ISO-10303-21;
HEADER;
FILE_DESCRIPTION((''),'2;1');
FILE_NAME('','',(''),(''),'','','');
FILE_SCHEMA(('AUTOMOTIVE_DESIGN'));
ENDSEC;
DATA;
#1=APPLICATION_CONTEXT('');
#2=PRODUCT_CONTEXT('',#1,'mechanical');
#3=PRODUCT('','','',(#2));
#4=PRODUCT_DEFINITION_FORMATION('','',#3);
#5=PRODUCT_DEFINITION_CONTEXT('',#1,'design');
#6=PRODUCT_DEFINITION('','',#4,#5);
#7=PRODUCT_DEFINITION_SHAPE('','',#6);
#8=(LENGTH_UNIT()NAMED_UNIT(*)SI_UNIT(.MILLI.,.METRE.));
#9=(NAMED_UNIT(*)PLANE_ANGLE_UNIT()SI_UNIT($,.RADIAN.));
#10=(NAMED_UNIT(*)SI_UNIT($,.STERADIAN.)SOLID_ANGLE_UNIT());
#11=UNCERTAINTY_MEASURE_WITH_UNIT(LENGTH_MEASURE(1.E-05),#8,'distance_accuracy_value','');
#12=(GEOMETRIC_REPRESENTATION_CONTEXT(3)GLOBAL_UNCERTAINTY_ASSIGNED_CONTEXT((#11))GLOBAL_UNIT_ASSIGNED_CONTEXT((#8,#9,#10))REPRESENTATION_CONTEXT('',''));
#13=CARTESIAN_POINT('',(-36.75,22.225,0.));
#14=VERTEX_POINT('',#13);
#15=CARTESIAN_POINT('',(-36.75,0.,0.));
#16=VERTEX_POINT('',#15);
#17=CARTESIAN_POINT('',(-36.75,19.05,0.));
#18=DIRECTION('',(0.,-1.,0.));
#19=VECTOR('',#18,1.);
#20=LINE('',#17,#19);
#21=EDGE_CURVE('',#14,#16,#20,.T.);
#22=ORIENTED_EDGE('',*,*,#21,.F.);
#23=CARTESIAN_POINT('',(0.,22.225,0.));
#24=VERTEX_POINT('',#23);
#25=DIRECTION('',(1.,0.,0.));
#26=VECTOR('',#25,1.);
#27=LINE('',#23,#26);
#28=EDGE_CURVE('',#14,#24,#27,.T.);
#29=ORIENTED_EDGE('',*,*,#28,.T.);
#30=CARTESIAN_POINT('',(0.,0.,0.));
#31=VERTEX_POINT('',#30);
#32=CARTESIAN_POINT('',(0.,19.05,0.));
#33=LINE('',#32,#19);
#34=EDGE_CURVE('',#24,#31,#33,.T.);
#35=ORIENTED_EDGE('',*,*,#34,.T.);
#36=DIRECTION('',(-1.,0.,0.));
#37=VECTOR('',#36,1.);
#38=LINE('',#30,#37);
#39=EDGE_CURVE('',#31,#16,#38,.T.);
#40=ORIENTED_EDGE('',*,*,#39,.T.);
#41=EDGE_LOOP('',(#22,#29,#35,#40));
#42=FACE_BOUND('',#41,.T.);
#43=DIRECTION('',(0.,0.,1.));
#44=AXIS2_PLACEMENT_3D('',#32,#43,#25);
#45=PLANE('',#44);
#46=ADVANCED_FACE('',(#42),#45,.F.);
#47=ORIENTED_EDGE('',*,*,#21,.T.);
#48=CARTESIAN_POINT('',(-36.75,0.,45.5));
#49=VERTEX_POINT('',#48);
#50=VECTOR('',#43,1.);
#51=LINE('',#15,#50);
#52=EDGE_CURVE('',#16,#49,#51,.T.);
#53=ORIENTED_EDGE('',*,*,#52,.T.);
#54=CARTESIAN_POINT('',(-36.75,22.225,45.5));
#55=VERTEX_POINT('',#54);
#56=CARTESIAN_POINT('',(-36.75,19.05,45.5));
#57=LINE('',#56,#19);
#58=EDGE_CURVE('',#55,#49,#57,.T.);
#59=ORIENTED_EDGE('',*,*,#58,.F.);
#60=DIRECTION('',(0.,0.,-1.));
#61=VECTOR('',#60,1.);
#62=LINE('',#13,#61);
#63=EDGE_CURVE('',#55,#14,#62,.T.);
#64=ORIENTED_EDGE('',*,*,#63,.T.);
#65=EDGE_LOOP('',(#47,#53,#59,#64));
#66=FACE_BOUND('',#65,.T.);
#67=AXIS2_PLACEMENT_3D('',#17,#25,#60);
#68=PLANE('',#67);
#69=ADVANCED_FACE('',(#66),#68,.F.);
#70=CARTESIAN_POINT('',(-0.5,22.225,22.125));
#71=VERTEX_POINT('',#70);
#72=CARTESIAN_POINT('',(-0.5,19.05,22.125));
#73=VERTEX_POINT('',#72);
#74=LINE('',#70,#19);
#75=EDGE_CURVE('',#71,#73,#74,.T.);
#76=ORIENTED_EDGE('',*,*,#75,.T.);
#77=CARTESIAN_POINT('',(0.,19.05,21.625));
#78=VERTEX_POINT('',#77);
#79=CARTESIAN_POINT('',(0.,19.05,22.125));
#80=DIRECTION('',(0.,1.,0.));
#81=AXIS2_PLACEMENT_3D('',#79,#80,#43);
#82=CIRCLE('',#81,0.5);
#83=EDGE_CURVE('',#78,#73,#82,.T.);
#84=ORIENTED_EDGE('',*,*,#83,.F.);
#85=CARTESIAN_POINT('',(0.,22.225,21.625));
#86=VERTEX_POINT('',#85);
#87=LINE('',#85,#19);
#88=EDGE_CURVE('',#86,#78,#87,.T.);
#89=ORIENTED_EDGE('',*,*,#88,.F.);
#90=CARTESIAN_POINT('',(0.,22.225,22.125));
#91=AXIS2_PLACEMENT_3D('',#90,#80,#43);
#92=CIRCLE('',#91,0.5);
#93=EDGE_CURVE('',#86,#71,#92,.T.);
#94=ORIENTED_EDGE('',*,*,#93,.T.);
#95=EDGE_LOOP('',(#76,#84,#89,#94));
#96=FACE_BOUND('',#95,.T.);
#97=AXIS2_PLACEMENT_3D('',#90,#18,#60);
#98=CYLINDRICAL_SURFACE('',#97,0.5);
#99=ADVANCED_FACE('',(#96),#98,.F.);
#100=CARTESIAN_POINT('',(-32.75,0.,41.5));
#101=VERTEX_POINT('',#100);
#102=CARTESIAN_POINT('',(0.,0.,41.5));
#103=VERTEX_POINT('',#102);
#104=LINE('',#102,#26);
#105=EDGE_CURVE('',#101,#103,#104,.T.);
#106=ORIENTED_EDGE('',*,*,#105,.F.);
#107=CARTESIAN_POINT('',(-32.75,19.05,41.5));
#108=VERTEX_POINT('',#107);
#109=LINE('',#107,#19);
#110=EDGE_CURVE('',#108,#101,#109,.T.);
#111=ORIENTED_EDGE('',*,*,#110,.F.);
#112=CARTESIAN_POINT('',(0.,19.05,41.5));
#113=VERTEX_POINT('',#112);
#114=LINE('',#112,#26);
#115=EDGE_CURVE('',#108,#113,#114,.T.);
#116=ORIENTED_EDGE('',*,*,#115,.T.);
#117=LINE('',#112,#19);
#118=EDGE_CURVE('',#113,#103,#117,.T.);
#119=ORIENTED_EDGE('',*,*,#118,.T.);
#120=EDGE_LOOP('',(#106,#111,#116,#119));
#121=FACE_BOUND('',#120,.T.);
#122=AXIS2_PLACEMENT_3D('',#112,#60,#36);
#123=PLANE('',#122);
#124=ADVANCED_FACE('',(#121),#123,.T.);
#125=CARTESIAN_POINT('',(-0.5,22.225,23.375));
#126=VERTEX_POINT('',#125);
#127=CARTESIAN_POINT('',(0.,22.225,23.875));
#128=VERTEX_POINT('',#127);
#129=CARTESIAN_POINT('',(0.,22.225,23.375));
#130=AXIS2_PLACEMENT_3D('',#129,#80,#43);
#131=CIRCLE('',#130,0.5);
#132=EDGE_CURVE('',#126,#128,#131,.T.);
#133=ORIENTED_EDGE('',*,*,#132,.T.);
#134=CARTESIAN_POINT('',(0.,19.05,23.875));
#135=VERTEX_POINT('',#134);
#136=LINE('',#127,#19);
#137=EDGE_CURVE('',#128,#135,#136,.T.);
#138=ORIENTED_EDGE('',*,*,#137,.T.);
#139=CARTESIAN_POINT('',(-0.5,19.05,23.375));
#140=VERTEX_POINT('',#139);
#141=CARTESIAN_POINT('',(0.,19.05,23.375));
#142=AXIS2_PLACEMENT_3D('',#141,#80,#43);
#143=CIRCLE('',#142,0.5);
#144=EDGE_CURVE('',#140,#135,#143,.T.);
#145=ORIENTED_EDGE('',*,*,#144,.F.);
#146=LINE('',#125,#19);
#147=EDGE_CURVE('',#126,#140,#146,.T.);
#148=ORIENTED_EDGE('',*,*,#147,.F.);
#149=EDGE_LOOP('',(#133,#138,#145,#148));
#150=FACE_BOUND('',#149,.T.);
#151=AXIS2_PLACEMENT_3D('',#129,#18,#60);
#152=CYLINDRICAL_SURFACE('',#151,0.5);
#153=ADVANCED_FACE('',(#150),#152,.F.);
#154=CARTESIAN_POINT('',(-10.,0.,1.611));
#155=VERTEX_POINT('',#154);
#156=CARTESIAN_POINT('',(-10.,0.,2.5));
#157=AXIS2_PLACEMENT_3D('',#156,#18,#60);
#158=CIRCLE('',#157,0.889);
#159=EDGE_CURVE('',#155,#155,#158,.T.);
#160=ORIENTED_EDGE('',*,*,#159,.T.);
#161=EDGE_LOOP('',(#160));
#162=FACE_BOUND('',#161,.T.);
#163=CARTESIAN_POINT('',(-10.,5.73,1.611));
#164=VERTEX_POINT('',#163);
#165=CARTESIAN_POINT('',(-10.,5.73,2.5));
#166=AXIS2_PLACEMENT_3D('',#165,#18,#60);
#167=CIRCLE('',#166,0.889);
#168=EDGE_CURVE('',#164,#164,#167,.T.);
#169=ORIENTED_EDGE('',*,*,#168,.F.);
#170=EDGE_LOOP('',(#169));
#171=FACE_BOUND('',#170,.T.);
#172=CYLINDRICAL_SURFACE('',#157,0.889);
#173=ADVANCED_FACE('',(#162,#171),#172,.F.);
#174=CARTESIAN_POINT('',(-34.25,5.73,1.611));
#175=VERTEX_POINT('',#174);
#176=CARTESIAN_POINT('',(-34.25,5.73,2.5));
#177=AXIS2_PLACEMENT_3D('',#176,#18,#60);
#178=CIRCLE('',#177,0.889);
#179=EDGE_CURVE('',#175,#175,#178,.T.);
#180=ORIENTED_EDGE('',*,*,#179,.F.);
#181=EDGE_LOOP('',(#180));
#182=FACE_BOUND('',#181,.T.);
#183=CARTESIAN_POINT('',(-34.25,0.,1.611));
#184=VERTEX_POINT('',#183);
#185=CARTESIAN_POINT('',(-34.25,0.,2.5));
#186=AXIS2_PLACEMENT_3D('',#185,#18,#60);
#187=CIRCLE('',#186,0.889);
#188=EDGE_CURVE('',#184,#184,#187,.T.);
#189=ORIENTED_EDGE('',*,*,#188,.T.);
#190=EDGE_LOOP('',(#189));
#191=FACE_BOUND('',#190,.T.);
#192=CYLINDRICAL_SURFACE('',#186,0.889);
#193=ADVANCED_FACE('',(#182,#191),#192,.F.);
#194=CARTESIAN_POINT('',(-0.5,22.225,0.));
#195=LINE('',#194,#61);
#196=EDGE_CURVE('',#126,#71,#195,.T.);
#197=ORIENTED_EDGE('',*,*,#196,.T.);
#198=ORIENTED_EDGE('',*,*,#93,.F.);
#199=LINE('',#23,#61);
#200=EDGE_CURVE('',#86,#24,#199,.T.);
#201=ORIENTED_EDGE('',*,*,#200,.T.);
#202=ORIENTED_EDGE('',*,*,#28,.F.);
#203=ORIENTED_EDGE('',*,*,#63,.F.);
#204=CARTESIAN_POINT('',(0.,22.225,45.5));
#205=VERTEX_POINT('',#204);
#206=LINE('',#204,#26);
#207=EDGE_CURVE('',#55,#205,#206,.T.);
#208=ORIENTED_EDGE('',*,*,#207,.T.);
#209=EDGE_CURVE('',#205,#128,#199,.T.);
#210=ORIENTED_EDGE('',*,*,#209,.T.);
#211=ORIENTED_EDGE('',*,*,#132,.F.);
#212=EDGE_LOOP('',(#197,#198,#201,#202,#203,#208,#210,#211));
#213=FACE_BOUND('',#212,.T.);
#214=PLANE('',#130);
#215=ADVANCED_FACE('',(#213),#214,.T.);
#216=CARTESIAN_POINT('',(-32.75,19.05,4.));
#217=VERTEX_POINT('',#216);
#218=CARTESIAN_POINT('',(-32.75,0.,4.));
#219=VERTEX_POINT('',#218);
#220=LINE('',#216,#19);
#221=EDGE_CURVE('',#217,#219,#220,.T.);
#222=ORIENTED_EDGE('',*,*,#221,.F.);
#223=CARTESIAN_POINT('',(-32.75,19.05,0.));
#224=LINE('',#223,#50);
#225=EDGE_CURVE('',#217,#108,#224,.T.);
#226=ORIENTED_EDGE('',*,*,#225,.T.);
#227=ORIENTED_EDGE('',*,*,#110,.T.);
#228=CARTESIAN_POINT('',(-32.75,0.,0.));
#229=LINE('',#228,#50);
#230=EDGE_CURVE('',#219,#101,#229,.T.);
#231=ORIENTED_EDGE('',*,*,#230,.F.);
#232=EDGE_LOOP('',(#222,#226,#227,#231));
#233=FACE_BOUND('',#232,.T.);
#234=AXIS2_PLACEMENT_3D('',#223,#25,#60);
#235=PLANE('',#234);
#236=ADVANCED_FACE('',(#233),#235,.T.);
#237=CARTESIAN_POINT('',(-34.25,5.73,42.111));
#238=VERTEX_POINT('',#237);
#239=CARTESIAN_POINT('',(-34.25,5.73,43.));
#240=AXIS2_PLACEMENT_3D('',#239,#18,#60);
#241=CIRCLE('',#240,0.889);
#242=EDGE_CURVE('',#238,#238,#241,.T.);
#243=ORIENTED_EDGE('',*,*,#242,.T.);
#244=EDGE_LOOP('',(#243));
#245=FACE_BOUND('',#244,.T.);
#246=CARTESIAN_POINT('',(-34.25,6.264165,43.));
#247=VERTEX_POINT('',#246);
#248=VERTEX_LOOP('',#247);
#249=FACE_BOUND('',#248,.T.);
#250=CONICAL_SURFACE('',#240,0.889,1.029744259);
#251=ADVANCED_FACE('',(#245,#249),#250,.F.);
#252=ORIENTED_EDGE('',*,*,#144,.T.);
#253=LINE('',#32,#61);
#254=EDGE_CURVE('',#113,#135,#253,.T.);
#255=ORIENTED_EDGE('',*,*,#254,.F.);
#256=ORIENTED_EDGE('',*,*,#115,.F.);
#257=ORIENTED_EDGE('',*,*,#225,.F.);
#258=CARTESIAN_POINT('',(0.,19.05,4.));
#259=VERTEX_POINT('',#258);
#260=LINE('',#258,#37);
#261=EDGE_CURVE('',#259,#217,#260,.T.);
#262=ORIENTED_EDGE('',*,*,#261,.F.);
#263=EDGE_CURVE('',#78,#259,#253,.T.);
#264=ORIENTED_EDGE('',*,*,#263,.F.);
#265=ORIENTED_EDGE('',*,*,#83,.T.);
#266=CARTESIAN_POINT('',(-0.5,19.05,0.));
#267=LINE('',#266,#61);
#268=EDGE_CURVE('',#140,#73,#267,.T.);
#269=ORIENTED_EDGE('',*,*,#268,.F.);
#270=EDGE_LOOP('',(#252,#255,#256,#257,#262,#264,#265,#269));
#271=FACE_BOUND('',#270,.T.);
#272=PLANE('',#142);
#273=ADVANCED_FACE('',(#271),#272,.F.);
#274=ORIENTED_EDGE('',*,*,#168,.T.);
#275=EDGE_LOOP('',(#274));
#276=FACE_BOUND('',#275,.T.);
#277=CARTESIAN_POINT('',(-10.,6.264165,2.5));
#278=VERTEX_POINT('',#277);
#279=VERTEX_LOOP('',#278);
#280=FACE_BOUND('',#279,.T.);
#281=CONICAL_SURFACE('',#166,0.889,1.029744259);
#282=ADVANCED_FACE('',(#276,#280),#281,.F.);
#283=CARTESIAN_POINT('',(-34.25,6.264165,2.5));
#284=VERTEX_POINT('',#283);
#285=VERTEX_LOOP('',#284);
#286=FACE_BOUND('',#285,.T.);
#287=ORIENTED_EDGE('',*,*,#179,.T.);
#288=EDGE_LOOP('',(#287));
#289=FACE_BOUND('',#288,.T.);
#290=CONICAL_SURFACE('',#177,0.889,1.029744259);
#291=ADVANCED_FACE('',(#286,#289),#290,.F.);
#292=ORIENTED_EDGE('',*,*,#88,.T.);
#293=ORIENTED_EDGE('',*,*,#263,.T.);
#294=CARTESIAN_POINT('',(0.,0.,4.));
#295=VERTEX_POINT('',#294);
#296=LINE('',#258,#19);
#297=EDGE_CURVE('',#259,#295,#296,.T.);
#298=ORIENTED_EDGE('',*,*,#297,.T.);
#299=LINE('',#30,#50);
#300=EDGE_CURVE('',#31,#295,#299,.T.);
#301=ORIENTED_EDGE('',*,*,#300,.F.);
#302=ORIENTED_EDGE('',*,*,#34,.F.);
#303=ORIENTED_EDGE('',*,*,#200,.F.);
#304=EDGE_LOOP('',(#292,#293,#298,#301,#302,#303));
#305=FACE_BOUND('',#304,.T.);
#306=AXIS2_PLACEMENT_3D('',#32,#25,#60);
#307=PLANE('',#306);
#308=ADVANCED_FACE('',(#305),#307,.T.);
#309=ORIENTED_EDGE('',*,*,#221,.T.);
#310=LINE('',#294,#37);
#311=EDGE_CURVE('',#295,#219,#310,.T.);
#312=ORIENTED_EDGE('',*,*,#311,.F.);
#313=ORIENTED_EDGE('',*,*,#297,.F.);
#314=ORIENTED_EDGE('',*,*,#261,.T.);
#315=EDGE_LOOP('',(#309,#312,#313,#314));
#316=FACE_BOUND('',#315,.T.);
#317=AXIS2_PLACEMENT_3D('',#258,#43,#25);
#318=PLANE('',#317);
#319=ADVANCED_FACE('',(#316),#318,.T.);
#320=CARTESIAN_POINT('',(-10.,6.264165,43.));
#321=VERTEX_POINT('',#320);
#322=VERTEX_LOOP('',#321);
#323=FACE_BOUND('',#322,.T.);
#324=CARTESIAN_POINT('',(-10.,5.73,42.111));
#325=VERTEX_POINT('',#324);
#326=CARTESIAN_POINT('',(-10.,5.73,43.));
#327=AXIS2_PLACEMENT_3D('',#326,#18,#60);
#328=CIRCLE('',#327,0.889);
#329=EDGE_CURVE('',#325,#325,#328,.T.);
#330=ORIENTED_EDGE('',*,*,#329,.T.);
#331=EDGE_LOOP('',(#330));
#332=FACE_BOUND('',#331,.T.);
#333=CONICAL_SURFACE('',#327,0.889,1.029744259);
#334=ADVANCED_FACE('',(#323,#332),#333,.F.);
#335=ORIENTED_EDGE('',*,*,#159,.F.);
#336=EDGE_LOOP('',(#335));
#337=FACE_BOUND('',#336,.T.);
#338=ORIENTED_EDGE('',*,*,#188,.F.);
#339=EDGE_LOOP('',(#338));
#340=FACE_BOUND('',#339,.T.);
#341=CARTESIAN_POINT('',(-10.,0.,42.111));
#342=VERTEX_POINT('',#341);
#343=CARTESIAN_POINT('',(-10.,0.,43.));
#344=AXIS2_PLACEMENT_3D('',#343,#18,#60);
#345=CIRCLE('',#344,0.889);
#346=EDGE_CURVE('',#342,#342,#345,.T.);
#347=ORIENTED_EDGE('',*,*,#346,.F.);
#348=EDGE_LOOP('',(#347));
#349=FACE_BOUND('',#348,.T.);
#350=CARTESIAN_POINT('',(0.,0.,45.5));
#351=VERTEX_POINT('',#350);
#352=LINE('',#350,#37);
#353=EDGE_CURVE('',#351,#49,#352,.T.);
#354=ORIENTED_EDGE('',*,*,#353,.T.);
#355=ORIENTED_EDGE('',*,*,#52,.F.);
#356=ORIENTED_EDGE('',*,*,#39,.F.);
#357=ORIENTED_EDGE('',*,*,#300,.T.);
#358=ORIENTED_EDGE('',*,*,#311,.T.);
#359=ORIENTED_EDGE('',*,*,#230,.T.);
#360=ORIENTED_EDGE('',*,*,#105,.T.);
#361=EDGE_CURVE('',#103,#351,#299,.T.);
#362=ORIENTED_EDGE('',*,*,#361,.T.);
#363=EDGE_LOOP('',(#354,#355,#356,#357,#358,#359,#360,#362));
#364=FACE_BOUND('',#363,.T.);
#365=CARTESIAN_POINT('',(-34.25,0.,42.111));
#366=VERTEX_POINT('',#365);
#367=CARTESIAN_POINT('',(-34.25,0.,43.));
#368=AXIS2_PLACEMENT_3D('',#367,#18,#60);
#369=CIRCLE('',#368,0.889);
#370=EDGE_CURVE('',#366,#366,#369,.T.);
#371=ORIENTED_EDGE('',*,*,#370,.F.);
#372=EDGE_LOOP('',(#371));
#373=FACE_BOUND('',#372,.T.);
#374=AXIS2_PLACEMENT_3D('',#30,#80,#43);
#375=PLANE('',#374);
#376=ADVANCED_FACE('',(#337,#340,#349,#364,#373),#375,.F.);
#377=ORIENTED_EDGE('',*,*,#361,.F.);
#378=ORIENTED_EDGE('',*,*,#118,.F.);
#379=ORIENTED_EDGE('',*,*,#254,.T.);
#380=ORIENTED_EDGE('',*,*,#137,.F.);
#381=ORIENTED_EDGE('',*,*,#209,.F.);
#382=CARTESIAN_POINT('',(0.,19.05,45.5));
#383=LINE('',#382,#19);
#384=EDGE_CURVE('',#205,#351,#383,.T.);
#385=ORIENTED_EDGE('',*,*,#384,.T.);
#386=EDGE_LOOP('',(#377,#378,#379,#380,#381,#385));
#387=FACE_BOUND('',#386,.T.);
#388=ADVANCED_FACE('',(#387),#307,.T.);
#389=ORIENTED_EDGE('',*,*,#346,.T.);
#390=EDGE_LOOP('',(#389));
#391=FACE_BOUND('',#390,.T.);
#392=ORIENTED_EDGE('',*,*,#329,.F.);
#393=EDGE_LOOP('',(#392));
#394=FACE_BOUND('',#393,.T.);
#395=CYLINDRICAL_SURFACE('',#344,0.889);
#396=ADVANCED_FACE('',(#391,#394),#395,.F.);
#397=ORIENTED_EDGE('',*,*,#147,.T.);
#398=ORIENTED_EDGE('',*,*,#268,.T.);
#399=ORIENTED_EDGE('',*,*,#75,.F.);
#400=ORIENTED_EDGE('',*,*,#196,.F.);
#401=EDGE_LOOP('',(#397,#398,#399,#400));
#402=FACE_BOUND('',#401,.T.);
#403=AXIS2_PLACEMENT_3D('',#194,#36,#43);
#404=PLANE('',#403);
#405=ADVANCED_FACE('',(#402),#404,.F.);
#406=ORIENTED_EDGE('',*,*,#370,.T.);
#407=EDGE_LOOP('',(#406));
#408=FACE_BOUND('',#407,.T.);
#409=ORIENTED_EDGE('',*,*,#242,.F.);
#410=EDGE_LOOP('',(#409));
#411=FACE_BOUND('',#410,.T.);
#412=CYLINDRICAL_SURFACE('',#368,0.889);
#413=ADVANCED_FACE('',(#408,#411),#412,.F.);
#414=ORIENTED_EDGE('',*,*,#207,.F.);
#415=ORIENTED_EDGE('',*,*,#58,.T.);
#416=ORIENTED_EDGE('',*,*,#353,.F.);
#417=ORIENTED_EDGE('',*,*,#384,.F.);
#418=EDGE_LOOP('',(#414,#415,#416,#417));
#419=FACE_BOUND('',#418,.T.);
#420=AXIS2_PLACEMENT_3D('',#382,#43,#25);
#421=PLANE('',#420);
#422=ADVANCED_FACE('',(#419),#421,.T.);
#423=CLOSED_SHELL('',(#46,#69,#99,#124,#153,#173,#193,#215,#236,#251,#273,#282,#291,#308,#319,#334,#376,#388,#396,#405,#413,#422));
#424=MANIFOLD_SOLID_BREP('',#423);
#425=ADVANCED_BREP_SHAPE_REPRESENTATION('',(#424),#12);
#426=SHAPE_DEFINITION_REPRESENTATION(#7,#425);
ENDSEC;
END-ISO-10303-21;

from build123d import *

# Parameters (mm, degrees)
WALL_DEPTH                = 19.05
ROOF_START                = 19.05
ROOF_DEPTH                = 3.175
F_2_56_TAPPED_HOLE1_D     = 1.778
F_2_56_TAPPED_HOLE1_DEPTH = 5.73
F_2_56_TAPPED_HOLE1_TIP   = 0.53416509


with BuildPart() as part:
    # MainSketch → Wall (new body)
    with BuildSketch(Plane(origin=(0, 0, 0), x_dir=(1, 0, 0), z_dir=(0, 1, 0))):
        Polygon((-32.75, -4), (0, -4), (0, 0), (-36.75, 0), (-36.75, -45.5), (0, -45.5), (0, -41.5), (-32.75, -41.5), align=None)
    extrude(amount=WALL_DEPTH)

    # MainSketch<3> → Roof (add)
    with BuildSketch(Plane(origin=(0, 0, 0), x_dir=(1, 0, 0), z_dir=(0, 1, 0)).offset(ROOF_START)):
        with BuildLine():
            Line((0, -21.625), (0, 0))
            Line((0, 0), (-36.75, 0))
            Line((-36.75, 0), (-36.75, -45.5))
            Line((-36.75, -45.5), (0, -45.5))
            Line((0, -45.5), (0, -23.875))
            ThreePointArc((0, -23.875), (-0.353553391, -23.728553391), (-0.5, -23.375))
            Line((-0.5, -23.375), (-0.5, -22.125))
            ThreePointArc((-0.5, -22.125), (-0.353553391, -21.771446609), (0, -21.625))
        make_face()
    extrude(amount=ROOF_DEPTH)

    # #2-56 Tapped Hole1
    with Locations(Plane(origin=(-10, 0, 43), x_dir=(0, 0, -1), z_dir=(0, -1, 0))):
        with Locations((0, 0), (0, -24.25), (40.5, -24.25), (40.5, 0)):
            Hole(F_2_56_TAPPED_HOLE1_D / 2, depth=F_2_56_TAPPED_HOLE1_DEPTH)
            with Locations((0, 0, -(F_2_56_TAPPED_HOLE1_DEPTH + F_2_56_TAPPED_HOLE1_TIP / 2))):  # 118° drill point
                Cone(0, F_2_56_TAPPED_HOLE1_D / 2, F_2_56_TAPPED_HOLE1_TIP, mode=Mode.SUBTRACT)


solid = part.part
